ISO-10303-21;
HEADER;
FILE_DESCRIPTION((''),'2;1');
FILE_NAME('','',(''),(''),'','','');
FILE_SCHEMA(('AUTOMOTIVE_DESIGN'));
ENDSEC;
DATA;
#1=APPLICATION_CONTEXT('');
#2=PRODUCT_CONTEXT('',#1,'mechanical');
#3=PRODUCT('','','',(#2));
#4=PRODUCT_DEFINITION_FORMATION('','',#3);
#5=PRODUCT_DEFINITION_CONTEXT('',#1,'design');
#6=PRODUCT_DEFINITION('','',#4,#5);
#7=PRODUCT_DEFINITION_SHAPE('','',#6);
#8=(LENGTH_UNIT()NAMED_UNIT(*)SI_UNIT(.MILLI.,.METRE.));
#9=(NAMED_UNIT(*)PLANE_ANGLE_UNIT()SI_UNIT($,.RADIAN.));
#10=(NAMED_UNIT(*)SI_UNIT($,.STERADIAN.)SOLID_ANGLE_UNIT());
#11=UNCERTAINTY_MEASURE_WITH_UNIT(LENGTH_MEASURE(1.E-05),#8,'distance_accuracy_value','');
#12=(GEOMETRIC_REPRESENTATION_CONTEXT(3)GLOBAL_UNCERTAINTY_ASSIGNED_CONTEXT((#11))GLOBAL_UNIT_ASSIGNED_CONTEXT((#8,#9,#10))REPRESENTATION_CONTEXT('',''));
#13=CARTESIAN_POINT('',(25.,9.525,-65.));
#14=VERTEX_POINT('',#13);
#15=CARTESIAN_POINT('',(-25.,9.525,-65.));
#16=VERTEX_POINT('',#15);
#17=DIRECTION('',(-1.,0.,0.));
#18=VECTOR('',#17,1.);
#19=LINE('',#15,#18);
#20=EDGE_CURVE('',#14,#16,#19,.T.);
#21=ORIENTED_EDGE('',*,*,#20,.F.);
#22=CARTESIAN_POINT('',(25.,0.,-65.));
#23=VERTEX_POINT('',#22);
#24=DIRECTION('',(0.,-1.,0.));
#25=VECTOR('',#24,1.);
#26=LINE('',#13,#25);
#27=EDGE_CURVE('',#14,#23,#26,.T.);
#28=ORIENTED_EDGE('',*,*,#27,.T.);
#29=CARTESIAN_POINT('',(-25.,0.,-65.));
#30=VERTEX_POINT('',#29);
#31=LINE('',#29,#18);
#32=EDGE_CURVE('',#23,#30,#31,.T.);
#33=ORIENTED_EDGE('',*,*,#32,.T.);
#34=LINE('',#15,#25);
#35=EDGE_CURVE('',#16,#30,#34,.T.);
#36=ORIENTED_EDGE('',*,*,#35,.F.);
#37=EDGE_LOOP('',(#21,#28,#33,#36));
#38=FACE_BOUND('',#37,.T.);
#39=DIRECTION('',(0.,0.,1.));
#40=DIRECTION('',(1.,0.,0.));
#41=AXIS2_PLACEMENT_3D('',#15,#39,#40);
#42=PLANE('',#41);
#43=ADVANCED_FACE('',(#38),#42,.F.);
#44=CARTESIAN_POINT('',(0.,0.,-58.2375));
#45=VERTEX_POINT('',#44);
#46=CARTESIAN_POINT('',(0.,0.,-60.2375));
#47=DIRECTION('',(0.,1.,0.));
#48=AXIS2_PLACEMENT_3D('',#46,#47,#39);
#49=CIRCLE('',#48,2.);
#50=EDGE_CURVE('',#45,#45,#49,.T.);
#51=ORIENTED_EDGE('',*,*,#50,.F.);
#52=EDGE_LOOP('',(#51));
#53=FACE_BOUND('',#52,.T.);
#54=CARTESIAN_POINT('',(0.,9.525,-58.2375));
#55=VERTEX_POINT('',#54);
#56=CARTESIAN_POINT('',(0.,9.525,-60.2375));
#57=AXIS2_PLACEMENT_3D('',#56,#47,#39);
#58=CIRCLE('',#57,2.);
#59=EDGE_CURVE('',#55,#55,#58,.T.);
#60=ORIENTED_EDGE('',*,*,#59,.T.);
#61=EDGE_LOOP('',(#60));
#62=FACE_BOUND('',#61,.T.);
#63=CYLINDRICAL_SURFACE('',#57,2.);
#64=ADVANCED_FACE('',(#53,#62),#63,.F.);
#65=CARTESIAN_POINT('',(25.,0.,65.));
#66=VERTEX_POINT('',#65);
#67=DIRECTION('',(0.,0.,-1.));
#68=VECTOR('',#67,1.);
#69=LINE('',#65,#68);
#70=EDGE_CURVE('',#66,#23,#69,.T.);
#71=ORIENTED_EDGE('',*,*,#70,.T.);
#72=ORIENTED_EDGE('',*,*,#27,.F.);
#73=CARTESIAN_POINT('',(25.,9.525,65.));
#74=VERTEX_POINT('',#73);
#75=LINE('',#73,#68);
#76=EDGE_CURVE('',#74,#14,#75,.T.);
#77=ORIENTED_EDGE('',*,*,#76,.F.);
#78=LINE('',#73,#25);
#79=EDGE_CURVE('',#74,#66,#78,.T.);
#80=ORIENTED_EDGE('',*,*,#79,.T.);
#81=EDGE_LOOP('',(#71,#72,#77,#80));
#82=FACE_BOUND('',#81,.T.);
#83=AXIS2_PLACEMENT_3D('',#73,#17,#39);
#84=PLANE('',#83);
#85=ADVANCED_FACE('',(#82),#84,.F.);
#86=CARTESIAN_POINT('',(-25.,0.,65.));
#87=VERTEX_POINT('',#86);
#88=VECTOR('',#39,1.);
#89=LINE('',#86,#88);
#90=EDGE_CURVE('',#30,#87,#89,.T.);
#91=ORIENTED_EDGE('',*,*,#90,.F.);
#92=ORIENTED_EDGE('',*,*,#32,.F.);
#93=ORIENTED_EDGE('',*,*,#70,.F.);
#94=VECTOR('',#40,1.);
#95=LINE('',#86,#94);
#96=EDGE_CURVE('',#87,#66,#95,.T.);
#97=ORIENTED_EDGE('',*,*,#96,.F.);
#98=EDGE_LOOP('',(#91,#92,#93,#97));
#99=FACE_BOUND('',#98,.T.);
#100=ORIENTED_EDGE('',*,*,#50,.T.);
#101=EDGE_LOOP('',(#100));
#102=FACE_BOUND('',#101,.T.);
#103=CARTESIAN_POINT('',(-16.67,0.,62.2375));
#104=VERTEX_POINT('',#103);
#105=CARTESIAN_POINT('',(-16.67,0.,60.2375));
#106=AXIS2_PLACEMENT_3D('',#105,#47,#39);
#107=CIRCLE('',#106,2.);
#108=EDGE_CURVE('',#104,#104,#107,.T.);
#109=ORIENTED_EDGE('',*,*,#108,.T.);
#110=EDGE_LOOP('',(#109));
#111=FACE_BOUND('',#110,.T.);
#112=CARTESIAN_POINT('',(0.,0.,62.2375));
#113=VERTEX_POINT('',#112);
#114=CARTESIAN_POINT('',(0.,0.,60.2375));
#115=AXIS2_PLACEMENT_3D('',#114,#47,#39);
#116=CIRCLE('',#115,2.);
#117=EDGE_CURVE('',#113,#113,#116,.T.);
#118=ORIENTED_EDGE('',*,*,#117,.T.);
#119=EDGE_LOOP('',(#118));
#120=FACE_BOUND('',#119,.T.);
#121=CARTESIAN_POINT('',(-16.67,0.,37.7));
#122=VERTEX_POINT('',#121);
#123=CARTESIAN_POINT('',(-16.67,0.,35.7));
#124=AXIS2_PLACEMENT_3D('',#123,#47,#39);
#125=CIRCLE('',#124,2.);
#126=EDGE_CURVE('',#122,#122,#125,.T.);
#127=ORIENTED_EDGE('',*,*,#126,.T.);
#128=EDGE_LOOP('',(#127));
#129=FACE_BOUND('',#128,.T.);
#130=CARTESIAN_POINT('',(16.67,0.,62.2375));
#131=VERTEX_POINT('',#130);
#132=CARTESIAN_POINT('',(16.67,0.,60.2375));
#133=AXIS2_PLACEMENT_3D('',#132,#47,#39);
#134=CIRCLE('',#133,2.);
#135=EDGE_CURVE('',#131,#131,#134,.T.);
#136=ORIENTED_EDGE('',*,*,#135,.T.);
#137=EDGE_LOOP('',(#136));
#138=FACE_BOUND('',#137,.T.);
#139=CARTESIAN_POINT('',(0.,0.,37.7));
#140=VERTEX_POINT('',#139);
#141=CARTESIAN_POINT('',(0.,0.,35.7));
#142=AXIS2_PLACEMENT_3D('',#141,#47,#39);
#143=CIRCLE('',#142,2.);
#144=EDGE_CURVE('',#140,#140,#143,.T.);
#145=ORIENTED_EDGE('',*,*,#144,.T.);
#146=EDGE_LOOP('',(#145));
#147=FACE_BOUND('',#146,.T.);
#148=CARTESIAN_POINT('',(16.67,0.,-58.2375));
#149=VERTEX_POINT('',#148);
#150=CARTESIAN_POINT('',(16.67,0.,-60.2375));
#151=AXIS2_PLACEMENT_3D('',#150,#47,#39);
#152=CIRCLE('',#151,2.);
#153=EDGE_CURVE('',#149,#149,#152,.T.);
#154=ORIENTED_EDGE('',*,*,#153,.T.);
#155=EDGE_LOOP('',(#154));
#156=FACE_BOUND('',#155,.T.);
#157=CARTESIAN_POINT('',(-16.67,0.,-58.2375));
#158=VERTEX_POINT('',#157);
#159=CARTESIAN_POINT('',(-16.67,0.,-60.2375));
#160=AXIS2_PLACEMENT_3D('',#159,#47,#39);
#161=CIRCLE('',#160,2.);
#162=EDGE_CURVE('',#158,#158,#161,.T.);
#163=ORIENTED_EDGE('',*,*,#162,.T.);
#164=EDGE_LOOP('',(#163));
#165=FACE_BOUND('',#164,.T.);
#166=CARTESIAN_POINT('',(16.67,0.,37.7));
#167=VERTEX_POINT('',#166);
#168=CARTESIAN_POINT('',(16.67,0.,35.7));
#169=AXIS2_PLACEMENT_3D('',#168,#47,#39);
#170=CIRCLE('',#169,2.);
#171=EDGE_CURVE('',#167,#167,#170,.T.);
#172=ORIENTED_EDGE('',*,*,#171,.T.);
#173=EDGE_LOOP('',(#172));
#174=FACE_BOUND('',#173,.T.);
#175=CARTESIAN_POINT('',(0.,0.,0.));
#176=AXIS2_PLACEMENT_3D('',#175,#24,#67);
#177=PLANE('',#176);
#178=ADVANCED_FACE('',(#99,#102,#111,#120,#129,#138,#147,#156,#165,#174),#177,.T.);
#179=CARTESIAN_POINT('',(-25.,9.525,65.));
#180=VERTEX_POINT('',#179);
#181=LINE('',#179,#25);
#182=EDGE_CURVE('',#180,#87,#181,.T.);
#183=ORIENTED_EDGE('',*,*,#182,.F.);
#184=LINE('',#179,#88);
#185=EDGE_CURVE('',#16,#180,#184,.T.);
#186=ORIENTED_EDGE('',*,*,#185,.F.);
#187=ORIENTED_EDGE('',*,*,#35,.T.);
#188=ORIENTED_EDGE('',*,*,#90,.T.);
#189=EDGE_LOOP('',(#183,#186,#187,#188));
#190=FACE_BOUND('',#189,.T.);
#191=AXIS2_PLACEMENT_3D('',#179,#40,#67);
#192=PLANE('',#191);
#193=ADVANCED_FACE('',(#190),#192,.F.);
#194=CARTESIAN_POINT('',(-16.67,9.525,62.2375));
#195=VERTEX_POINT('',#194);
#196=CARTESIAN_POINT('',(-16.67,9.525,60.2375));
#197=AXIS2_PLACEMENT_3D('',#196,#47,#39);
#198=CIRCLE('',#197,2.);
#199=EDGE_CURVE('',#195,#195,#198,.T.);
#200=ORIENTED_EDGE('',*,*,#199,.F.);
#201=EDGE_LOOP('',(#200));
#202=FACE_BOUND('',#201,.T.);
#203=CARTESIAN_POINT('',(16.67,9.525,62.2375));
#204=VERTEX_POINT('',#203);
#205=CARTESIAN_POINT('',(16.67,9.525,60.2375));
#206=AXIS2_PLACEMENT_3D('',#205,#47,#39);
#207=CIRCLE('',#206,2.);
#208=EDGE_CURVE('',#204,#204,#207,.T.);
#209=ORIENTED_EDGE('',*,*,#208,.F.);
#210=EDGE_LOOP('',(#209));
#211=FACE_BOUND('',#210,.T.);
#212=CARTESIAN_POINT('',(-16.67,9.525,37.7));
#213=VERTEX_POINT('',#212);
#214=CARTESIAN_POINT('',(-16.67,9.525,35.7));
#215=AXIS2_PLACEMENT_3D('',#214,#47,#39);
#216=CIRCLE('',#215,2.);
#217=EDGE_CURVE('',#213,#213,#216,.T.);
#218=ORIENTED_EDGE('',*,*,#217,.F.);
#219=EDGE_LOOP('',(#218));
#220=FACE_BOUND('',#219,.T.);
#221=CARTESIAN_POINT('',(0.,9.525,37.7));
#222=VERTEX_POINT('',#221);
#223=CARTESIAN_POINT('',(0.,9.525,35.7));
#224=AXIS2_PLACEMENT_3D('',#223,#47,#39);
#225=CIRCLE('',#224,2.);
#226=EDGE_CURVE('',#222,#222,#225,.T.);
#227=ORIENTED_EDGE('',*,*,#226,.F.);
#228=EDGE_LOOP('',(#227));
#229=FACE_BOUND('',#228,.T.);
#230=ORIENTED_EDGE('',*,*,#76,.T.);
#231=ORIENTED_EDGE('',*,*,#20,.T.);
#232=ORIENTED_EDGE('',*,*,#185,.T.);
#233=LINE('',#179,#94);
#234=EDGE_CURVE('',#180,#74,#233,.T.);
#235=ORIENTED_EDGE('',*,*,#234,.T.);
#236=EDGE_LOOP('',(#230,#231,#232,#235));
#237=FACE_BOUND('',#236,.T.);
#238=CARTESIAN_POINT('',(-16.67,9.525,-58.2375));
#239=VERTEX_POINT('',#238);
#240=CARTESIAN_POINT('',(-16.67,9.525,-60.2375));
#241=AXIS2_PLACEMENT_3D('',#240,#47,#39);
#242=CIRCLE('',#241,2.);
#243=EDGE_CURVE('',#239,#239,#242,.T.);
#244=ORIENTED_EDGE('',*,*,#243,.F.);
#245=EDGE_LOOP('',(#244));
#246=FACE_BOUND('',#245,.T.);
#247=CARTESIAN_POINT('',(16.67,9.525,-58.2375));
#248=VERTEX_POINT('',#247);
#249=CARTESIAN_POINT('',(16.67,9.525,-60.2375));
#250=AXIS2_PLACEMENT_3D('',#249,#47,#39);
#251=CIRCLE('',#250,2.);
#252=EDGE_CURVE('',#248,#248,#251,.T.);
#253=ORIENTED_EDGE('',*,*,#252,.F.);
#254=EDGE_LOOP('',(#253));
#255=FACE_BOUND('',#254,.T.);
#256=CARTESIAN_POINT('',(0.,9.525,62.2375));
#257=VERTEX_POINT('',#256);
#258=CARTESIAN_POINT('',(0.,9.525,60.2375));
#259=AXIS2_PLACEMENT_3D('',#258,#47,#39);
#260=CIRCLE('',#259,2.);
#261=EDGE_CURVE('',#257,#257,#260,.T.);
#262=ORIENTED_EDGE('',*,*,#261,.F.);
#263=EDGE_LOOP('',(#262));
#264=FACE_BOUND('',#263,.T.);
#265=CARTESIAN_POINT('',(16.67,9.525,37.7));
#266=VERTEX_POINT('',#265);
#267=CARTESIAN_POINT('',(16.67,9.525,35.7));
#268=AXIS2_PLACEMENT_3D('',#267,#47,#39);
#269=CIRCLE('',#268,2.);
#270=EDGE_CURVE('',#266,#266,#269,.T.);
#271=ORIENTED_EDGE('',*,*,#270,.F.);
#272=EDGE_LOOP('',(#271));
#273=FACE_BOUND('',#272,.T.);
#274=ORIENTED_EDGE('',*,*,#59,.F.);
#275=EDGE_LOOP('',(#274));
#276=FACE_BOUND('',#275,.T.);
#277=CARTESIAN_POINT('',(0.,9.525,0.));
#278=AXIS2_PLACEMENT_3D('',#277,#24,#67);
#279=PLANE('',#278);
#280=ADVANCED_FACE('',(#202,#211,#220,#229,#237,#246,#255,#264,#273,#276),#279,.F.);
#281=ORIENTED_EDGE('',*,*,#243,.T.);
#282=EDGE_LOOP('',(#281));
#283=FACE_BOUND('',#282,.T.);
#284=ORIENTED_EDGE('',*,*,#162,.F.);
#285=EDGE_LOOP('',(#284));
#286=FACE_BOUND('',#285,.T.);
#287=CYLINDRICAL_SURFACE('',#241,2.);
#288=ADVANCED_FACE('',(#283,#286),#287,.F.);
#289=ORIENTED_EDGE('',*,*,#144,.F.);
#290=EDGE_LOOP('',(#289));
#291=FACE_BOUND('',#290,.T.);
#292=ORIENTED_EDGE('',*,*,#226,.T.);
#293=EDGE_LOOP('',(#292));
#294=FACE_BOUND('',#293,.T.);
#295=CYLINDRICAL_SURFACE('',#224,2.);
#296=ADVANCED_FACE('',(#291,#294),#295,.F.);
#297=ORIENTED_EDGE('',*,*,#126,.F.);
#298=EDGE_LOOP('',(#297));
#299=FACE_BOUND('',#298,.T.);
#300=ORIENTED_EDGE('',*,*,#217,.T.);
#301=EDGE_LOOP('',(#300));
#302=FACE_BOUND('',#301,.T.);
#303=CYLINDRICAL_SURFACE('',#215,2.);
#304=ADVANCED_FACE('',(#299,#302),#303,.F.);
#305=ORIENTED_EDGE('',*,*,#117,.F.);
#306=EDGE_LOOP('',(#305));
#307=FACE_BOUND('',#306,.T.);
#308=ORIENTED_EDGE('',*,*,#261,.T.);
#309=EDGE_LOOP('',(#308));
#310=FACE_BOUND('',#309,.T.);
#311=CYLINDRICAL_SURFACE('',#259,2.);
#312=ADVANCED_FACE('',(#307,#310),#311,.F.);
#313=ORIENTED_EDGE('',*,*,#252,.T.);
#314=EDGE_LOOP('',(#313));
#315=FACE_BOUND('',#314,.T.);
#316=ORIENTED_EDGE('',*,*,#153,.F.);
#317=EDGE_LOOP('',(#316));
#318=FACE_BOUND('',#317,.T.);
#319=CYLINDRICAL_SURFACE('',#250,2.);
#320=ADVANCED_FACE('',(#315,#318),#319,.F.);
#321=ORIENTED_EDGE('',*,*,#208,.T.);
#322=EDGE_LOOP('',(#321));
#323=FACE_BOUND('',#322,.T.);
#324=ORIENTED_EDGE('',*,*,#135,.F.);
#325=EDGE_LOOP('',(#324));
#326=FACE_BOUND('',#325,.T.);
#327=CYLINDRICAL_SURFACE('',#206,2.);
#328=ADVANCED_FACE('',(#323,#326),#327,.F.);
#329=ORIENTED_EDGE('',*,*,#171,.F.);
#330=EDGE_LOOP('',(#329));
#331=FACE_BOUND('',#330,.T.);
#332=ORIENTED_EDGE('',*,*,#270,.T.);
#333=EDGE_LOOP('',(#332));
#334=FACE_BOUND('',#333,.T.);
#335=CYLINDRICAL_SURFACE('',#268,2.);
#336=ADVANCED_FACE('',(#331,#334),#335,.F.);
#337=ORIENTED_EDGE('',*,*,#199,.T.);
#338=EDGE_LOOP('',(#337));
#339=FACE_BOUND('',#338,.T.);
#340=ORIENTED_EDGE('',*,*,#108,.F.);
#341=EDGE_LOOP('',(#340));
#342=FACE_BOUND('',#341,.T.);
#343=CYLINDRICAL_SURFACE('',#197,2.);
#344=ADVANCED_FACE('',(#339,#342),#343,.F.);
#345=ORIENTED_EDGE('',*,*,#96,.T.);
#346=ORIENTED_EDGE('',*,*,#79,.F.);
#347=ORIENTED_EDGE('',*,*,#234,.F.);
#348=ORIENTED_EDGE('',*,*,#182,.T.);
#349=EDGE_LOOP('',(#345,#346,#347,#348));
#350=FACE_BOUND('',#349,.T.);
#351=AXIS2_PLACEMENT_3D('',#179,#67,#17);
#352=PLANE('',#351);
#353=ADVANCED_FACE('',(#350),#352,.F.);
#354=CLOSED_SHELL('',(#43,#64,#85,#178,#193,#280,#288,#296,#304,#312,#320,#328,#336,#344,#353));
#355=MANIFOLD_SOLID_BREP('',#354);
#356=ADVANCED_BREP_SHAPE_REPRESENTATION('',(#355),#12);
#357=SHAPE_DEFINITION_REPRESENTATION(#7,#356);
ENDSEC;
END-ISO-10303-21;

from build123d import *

# Parameters (mm, degrees)
SKETCH2_W             = 50
SKETCH2_H             = 130
BOSS_EXTRUDE1_DEPTH   = 9.525
F_4_0MM_DOWEL_HOLE1_D = 4


with BuildPart() as part:
    # Sketch2 → Boss-Extrude1 (new body)
    with BuildSketch(Plane(origin=(0, 0, 0), x_dir=(1, 0, 0), z_dir=(0, 1, 0))):
        Rectangle(SKETCH2_W, SKETCH2_H)
    extrude(amount=BOSS_EXTRUDE1_DEPTH)

    # Ø4.0mm Dowel Hole1 (through all)
    with Locations(Plane(origin=(0, 9.525, 0), x_dir=(1, 0, 0), z_dir=(0, 1, 0))):
        with Locations((16.67, -60.2375), (-16.67, 60.2375), (0, 60.2375), (16.67, 60.2375), (16.67, -35.7), (0, -35.7), (-16.67, -35.7), (-16.67, -60.2375), (0, -60.2375)):
            Hole(F_4_0MM_DOWEL_HOLE1_D / 2)


solid = part.part
